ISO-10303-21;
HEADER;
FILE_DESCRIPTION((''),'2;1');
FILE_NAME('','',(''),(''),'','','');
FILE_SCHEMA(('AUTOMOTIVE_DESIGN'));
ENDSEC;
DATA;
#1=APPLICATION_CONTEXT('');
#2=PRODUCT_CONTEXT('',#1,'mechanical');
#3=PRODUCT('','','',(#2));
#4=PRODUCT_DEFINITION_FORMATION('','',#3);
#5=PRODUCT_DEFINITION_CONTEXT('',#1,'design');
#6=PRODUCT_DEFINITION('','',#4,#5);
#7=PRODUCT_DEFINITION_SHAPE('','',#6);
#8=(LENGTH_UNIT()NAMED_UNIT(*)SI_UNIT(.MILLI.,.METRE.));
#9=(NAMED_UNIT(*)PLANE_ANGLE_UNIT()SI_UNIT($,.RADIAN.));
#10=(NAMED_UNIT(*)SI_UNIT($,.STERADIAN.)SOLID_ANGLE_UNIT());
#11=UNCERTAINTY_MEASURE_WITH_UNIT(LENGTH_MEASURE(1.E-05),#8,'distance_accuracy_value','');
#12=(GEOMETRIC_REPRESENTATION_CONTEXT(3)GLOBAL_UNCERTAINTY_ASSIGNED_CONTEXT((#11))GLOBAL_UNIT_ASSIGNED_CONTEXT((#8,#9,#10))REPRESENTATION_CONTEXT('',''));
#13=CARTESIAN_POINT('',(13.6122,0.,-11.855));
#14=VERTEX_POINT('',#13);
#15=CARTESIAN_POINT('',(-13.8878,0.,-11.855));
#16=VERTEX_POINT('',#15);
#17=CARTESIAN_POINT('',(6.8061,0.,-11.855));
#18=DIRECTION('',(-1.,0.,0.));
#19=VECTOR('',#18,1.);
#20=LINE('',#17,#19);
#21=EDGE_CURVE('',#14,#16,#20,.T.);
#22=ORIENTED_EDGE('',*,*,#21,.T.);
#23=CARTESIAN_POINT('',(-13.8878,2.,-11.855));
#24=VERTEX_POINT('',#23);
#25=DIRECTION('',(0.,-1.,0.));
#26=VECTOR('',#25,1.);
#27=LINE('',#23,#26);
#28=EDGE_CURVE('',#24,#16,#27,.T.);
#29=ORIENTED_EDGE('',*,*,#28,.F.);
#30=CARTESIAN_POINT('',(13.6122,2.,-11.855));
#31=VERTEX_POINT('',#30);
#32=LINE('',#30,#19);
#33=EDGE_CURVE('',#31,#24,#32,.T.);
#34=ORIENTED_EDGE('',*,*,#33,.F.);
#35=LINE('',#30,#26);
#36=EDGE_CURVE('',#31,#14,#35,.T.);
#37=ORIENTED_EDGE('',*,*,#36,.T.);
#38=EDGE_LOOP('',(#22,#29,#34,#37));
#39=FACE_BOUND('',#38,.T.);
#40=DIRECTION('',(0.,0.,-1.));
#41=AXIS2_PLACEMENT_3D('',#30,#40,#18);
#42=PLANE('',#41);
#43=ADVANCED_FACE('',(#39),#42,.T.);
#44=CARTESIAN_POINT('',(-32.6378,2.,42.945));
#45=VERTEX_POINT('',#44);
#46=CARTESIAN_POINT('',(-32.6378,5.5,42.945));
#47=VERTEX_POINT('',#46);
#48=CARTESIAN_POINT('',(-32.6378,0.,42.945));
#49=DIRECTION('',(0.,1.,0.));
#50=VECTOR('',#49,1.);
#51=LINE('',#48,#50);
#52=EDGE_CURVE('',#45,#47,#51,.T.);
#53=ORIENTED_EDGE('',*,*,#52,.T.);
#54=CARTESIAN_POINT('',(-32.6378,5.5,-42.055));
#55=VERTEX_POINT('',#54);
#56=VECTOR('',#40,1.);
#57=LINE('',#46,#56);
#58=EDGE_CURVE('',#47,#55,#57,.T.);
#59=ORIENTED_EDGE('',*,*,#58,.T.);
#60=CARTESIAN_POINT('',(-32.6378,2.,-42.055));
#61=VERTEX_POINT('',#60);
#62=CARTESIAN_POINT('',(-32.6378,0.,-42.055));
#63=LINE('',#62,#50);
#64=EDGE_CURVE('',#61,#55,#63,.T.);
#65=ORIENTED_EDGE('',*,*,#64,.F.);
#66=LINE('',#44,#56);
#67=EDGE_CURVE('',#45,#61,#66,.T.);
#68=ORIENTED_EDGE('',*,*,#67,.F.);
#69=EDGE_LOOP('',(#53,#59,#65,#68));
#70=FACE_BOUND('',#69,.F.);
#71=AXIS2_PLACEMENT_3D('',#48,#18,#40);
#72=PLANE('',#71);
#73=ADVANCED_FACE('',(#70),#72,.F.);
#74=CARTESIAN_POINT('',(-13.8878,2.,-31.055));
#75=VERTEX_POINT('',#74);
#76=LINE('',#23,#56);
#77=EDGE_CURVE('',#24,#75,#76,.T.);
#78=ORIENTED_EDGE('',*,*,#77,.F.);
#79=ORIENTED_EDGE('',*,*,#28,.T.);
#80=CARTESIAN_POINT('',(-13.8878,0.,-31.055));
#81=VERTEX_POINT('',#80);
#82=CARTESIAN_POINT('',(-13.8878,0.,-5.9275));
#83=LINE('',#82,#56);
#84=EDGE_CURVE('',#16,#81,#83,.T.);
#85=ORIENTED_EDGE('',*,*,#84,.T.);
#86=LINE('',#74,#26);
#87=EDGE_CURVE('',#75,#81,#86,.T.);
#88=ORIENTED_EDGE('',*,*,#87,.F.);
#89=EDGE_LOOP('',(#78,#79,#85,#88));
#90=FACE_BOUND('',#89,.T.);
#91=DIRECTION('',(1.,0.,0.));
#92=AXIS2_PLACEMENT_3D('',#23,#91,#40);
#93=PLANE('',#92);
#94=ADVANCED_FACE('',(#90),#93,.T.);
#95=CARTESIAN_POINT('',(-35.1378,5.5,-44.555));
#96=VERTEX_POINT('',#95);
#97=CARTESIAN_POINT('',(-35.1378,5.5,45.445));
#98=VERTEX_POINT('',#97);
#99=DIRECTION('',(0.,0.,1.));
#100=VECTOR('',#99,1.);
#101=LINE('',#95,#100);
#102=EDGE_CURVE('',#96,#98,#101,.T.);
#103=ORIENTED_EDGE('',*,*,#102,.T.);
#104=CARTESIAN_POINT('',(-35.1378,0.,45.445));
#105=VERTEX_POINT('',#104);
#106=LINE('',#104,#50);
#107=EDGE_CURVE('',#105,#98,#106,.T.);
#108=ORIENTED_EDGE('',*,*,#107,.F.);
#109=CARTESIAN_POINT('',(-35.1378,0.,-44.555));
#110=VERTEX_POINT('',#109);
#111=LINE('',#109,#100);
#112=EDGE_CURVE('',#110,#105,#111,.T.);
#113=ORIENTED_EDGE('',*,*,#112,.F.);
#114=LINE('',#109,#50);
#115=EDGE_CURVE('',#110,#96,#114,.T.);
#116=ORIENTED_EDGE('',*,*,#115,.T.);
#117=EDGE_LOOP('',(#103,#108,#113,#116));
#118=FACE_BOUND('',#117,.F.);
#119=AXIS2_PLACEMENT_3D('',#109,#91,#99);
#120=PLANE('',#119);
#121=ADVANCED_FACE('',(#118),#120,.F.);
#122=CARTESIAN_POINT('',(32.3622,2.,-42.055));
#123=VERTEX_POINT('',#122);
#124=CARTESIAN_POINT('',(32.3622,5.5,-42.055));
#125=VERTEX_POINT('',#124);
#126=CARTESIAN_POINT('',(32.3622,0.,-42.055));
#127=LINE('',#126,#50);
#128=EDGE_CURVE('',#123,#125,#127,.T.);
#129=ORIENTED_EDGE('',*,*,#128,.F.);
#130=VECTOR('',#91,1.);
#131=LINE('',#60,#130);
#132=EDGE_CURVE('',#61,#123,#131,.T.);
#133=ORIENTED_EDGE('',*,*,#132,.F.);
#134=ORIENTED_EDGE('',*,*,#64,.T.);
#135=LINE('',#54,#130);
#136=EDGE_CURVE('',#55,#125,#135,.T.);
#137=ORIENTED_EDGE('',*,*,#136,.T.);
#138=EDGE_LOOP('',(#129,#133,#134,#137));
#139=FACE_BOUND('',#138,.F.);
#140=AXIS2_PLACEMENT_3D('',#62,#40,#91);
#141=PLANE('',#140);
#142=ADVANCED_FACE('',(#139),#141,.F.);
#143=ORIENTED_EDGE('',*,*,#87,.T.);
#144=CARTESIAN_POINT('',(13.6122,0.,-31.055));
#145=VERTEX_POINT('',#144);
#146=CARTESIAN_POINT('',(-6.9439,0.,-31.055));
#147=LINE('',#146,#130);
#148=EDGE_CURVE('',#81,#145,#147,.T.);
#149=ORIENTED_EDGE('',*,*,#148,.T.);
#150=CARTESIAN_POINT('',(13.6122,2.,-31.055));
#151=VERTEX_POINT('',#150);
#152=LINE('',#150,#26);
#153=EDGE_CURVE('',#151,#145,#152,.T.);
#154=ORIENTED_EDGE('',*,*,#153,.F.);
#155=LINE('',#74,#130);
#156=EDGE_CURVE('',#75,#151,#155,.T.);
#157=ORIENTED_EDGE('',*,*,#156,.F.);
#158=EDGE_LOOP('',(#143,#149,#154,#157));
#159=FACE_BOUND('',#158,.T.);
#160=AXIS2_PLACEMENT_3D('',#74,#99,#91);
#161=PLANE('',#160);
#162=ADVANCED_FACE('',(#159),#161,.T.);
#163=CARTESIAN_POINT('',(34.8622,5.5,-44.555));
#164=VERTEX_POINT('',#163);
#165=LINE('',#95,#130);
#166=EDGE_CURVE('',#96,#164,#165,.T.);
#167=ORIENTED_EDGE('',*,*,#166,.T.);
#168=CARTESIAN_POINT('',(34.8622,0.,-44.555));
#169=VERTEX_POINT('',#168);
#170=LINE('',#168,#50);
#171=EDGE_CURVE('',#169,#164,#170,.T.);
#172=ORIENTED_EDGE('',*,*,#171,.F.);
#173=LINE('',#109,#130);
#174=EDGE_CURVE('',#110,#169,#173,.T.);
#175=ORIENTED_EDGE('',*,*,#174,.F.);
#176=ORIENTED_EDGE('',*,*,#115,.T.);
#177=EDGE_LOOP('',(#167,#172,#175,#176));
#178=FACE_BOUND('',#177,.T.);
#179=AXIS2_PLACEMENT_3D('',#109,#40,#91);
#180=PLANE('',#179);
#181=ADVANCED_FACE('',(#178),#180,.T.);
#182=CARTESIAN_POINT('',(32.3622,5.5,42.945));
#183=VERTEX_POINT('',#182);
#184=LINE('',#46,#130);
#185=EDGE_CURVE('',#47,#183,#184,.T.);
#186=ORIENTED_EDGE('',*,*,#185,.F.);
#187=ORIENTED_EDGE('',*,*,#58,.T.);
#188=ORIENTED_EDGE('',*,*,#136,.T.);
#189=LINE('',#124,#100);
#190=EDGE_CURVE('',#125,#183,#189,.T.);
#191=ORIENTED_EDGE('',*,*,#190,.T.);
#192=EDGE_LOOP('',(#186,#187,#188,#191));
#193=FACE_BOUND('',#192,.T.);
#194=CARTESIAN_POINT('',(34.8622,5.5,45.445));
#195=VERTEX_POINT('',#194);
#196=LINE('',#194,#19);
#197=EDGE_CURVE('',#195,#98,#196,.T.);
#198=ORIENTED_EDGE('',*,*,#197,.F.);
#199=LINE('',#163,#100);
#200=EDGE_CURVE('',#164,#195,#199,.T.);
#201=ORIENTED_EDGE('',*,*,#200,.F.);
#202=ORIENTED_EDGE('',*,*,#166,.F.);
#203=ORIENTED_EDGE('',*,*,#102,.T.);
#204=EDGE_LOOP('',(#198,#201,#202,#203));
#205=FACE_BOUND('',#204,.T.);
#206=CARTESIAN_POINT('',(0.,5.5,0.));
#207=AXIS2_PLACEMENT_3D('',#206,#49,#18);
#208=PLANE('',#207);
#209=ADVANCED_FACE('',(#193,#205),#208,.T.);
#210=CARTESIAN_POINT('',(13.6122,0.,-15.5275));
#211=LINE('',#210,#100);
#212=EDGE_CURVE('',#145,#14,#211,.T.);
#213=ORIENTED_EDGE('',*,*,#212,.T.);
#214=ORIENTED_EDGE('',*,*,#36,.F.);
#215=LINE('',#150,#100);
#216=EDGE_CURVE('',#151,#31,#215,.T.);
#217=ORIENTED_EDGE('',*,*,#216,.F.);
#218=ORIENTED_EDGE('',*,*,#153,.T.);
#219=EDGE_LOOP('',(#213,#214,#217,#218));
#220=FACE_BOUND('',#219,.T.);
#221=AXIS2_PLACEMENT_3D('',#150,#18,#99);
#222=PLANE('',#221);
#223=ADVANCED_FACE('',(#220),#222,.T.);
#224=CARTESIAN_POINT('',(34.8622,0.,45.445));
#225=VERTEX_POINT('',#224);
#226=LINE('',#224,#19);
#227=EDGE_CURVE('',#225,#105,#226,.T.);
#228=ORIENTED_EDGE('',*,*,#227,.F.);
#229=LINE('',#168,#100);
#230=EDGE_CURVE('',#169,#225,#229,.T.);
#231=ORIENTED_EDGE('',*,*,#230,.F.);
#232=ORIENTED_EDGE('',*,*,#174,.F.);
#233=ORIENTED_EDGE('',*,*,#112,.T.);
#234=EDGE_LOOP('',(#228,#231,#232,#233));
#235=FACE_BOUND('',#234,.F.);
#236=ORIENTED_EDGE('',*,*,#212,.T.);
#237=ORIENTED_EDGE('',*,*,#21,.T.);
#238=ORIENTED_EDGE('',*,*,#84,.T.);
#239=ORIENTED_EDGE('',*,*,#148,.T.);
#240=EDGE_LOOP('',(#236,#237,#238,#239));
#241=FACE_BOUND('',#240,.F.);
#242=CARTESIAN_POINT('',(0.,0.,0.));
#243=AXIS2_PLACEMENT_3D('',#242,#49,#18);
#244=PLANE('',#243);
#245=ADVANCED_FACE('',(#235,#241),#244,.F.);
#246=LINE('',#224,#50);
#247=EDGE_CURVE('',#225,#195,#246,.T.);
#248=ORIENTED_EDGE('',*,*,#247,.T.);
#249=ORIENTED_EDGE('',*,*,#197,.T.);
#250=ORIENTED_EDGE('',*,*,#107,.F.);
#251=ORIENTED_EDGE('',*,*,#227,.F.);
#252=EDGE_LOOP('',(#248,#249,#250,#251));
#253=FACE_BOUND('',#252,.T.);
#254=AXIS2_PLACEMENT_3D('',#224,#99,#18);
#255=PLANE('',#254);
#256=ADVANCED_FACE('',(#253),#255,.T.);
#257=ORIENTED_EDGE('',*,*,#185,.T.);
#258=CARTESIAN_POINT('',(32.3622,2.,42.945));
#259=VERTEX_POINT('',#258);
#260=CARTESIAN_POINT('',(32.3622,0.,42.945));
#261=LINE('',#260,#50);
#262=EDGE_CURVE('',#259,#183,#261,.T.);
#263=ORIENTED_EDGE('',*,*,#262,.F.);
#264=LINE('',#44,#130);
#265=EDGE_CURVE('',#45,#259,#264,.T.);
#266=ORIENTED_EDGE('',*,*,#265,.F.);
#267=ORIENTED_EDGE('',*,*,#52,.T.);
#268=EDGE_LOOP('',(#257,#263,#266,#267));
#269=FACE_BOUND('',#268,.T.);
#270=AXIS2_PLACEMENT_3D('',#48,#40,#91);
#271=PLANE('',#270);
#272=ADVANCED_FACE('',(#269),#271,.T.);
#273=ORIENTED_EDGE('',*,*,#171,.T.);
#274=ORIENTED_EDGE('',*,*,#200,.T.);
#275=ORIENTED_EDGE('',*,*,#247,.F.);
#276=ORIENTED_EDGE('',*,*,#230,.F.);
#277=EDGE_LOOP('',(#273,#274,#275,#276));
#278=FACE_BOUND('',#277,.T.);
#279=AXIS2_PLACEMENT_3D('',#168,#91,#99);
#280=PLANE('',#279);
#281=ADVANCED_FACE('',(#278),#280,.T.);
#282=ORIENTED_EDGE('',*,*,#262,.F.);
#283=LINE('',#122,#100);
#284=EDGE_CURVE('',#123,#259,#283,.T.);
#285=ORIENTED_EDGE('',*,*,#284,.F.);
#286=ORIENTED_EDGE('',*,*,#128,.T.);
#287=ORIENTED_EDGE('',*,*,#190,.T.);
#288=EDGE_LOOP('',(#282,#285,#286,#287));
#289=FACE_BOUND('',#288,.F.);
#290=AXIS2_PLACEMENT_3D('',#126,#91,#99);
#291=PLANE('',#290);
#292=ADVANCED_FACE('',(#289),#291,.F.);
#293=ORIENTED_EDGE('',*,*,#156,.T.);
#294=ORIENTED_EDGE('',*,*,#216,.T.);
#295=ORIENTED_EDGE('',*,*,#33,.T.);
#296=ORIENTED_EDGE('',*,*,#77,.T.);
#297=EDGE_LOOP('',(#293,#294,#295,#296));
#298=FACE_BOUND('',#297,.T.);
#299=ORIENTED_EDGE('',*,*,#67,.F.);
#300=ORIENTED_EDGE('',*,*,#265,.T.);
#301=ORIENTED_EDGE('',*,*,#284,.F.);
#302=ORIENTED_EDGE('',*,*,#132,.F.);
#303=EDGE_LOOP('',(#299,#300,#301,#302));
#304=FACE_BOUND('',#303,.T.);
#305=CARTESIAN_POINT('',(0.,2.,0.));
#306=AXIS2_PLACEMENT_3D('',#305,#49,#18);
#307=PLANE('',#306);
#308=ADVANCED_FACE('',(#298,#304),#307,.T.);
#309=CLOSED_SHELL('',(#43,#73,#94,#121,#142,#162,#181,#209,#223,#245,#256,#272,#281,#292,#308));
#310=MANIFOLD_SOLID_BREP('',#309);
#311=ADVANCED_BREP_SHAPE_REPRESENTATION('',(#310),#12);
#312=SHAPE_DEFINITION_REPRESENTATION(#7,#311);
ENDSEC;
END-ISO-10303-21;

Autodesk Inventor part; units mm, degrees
ref_plane "YZ Plane" through (0, 0, 0) normal (1, 0, 0) x (0, 1, 0)
ref_plane "XZ Plane" through (0, 0, 0) normal (0, 1, 0) x (-1, 0, 0)
ref_plane "XY Plane" through (0, 0, 0) normal (0, 0, 1) x (1, 0, 0)
sketch "Sketch1" plane through (0, 0, 0) normal (0, 1, 0) x (-1, 0, 0)
  line L0 (32.6378, 42.945) -> (-32.3622, 42.945)
  line L1 (32.6378, 42.945) -> (32.6378, -42.055)
  line L2 (32.6378, -42.055) -> (-32.3622, -42.055)
  line L3 (-32.3622, -42.055) -> (-32.3622, 42.945)
  line L4 (-34.8622, 45.445) -> (35.1378, 45.445)
  line L5 (35.1378, -44.555) -> (-34.8622, -44.555)
  line L6 (35.1378, -44.555) -> (35.1378, 45.445)
  line L7 (-34.8622, -44.555) -> (-34.8622, 45.445)
  point P0 (0, 0)
  dimension "d0" = 65
  dimension "d1" = 85
  dimension "d6" = 70
  dimension "d7" = 90
extrude "Extrusion1" add sketch "Sketch1" along normal blind 2 contours L1 L2 L3 L0
extrude "Extrusion2" add sketch "Sketch1" along normal blind 5.5
sketch "Sketch2" plane through (0, 2, 0) normal (0, 1, 0) x (1, 0, 0)
  line L0 (32.3622, 42.055) -> (-32.6378, 42.055) projected
  line L1 (13.6122, 31.055) -> (13.6122, 11.855)
  line L2 (13.6122, 11.855) -> (-13.8878, 11.855)
  line L3 (-13.8878, 11.855) -> (-13.8878, 31.055)
  line L4 (-13.8878, 31.055) -> (13.6122, 31.055)
  point P0 (0, 0)
  dimension "d15" = 19.2
  dimension "d16" = 27.5
extrude "Extrusion3" cut sketch "Sketch2" against normal blind 5
properties part number "Tampa"
